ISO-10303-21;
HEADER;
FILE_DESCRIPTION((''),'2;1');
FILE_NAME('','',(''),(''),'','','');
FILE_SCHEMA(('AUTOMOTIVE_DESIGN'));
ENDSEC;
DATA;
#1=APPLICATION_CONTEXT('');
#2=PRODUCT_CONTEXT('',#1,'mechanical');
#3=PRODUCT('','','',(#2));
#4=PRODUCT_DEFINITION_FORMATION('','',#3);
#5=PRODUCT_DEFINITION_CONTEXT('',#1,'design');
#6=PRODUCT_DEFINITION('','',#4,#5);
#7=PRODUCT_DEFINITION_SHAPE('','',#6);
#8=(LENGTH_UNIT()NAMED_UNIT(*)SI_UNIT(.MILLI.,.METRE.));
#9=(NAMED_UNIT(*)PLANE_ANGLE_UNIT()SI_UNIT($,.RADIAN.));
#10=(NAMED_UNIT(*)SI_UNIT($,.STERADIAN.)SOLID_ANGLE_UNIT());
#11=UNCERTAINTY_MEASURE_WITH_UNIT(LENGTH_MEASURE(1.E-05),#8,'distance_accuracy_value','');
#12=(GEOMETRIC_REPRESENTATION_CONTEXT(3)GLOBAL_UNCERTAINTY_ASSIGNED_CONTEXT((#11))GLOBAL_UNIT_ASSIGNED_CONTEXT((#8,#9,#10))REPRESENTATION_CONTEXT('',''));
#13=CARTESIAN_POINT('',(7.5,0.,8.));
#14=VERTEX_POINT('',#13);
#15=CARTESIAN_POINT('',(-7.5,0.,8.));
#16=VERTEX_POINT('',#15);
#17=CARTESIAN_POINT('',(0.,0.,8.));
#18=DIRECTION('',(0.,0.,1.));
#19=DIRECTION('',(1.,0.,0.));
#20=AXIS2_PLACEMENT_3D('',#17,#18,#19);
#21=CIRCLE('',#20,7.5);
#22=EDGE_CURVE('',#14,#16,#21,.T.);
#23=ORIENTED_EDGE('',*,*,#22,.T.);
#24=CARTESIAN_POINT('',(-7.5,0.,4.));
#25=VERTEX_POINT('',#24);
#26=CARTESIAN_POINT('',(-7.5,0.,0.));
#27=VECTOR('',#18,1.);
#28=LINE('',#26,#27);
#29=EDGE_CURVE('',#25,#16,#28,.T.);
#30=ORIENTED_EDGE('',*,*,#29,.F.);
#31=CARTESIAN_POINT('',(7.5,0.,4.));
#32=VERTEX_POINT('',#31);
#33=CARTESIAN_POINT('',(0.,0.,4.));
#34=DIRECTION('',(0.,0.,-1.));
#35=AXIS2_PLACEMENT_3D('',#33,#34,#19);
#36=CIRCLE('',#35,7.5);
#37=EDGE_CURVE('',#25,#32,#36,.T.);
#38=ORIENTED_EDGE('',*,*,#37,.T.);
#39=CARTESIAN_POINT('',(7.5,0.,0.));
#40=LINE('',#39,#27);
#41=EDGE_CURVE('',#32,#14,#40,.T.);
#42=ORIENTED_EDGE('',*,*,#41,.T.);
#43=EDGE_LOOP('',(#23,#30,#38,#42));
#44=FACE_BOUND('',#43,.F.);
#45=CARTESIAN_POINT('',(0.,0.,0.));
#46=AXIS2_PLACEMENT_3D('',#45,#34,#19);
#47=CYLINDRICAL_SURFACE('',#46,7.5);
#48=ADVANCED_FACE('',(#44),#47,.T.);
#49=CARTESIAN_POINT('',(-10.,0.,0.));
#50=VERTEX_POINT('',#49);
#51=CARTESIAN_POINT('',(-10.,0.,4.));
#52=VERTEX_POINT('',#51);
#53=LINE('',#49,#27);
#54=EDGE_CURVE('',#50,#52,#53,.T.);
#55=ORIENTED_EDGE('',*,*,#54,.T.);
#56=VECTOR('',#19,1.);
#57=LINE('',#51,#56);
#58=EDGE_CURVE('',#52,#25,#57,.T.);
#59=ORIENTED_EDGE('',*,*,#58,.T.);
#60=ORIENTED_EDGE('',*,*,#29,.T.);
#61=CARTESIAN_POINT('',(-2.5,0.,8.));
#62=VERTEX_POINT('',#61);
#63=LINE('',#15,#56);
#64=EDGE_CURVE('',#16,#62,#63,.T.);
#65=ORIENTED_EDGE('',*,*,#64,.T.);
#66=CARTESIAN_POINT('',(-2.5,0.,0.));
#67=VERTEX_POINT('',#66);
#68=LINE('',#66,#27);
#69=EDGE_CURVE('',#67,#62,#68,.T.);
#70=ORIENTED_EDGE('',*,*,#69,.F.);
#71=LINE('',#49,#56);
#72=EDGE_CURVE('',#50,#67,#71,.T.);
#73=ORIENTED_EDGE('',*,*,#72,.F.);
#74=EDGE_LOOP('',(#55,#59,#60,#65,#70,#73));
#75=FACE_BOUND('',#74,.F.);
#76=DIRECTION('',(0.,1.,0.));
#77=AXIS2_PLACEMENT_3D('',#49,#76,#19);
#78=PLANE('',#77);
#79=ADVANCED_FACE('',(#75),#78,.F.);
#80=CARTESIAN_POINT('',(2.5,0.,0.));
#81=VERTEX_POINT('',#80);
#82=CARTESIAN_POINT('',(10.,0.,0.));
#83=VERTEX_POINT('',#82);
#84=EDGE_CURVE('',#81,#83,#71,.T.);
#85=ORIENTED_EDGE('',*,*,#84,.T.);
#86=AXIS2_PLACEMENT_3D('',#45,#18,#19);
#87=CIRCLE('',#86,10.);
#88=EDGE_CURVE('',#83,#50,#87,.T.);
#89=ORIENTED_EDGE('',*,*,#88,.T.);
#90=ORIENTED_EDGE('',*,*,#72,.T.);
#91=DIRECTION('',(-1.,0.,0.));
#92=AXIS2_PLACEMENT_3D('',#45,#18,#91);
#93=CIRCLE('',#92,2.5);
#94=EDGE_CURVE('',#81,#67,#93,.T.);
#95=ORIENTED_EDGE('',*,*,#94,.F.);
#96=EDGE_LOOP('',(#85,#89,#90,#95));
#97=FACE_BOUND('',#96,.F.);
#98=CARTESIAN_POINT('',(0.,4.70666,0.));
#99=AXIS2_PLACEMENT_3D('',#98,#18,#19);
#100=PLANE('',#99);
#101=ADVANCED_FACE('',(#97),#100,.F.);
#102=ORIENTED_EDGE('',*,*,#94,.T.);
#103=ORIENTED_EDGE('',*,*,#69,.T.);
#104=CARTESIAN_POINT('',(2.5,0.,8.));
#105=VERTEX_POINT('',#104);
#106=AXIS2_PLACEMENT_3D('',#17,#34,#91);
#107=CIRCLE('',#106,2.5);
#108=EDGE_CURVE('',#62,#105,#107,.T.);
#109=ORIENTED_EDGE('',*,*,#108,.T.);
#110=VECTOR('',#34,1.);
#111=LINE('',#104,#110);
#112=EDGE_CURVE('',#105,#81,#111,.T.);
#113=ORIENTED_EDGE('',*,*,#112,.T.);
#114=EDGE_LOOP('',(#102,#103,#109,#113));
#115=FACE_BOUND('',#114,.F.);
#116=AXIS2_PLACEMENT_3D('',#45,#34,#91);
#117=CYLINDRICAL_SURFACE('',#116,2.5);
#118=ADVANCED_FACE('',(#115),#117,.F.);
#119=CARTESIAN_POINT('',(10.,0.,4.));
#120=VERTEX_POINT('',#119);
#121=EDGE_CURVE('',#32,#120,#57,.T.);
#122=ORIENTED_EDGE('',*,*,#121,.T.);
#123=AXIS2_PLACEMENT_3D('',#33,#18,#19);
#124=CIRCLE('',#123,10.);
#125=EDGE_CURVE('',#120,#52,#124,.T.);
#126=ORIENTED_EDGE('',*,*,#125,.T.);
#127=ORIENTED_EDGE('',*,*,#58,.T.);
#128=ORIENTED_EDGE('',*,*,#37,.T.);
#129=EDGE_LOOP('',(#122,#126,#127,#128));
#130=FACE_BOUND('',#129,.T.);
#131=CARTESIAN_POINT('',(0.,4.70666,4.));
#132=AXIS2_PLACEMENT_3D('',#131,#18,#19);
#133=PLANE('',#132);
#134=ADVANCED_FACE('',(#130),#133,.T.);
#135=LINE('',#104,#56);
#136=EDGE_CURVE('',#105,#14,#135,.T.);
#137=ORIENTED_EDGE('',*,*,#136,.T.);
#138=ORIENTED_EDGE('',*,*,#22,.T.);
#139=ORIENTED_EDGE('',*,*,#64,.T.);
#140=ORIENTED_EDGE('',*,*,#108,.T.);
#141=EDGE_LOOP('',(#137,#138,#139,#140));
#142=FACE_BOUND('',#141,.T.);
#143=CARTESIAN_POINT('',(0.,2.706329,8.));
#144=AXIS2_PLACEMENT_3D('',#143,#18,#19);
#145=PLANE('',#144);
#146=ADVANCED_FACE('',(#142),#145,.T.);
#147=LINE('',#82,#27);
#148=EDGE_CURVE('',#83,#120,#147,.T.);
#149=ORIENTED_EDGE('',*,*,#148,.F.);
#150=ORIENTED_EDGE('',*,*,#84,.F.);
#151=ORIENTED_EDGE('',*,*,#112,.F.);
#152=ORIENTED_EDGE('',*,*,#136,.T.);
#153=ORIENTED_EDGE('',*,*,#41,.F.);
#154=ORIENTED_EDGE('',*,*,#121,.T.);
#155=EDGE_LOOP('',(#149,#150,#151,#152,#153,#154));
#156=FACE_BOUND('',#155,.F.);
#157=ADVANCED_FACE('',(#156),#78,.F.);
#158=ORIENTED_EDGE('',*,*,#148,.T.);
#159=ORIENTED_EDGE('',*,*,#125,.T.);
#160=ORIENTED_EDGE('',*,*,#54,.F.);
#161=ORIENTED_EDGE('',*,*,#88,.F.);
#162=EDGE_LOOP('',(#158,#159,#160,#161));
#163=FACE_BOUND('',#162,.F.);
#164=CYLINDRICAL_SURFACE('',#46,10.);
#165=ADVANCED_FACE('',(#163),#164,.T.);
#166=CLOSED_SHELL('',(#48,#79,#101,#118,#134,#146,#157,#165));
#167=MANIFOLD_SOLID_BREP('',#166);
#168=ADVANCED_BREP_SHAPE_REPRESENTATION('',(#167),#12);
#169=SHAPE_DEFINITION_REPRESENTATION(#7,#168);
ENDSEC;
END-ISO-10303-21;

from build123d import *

# Parameters (mm, degrees)
F2_DEPTH = 8
F3_DEPTH = 4
F4_DEPTH = 25


with BuildPart() as f2:
    # F0 (on Top) → F2 (new body)
    with BuildSketch(Plane.XY):
        with BuildLine():
            ThreePointArc((7.5, 0), (0, 7.5), (-7.5, 0))
            Line((-7.5, 0), (-2.5, 0))
            ThreePointArc((-2.5, 0), (0, 2.5), (2.5, 0))
            Line((2.5, 0), (7.5, 0))
        make_face()
    extrude(amount=F2_DEPTH)

    # F0 (on Top) → F3 (join)
    with BuildSketch(Plane.XY):
        with BuildLine():
            ThreePointArc((10, 0), (0, 10), (-10, 0))
            Line((-10, 0), (-7.5, 0))
            ThreePointArc((-7.5, 0), (0, 7.5), (7.5, 0))
            Line((7.5, 0), (10, 0))
        make_face()
        with BuildLine():
            ThreePointArc((7.5, 0), (0, 7.5), (-7.5, 0))
            Line((-7.5, 0), (-2.5, 0))
            ThreePointArc((-2.5, 0), (0, 2.5), (2.5, 0))
            Line((2.5, 0), (7.5, 0))
        make_face()
        with BuildLine():
            ThreePointArc((2.5, 0), (0, 2.5), (-2.5, 0))
            Line((-2.5, 0), (2.5, 0))
        make_face()
    extrude(amount=F3_DEPTH)

    # F4 (cut): a face of the model
    f4_faces = [f2.faces().sort_by_distance(p)[0] for p in [
        (0, 1.0610329539, 4),
    ]]
    extrude(f4_faces, amount=-F4_DEPTH, mode=Mode.SUBTRACT)


solid = f2.part
